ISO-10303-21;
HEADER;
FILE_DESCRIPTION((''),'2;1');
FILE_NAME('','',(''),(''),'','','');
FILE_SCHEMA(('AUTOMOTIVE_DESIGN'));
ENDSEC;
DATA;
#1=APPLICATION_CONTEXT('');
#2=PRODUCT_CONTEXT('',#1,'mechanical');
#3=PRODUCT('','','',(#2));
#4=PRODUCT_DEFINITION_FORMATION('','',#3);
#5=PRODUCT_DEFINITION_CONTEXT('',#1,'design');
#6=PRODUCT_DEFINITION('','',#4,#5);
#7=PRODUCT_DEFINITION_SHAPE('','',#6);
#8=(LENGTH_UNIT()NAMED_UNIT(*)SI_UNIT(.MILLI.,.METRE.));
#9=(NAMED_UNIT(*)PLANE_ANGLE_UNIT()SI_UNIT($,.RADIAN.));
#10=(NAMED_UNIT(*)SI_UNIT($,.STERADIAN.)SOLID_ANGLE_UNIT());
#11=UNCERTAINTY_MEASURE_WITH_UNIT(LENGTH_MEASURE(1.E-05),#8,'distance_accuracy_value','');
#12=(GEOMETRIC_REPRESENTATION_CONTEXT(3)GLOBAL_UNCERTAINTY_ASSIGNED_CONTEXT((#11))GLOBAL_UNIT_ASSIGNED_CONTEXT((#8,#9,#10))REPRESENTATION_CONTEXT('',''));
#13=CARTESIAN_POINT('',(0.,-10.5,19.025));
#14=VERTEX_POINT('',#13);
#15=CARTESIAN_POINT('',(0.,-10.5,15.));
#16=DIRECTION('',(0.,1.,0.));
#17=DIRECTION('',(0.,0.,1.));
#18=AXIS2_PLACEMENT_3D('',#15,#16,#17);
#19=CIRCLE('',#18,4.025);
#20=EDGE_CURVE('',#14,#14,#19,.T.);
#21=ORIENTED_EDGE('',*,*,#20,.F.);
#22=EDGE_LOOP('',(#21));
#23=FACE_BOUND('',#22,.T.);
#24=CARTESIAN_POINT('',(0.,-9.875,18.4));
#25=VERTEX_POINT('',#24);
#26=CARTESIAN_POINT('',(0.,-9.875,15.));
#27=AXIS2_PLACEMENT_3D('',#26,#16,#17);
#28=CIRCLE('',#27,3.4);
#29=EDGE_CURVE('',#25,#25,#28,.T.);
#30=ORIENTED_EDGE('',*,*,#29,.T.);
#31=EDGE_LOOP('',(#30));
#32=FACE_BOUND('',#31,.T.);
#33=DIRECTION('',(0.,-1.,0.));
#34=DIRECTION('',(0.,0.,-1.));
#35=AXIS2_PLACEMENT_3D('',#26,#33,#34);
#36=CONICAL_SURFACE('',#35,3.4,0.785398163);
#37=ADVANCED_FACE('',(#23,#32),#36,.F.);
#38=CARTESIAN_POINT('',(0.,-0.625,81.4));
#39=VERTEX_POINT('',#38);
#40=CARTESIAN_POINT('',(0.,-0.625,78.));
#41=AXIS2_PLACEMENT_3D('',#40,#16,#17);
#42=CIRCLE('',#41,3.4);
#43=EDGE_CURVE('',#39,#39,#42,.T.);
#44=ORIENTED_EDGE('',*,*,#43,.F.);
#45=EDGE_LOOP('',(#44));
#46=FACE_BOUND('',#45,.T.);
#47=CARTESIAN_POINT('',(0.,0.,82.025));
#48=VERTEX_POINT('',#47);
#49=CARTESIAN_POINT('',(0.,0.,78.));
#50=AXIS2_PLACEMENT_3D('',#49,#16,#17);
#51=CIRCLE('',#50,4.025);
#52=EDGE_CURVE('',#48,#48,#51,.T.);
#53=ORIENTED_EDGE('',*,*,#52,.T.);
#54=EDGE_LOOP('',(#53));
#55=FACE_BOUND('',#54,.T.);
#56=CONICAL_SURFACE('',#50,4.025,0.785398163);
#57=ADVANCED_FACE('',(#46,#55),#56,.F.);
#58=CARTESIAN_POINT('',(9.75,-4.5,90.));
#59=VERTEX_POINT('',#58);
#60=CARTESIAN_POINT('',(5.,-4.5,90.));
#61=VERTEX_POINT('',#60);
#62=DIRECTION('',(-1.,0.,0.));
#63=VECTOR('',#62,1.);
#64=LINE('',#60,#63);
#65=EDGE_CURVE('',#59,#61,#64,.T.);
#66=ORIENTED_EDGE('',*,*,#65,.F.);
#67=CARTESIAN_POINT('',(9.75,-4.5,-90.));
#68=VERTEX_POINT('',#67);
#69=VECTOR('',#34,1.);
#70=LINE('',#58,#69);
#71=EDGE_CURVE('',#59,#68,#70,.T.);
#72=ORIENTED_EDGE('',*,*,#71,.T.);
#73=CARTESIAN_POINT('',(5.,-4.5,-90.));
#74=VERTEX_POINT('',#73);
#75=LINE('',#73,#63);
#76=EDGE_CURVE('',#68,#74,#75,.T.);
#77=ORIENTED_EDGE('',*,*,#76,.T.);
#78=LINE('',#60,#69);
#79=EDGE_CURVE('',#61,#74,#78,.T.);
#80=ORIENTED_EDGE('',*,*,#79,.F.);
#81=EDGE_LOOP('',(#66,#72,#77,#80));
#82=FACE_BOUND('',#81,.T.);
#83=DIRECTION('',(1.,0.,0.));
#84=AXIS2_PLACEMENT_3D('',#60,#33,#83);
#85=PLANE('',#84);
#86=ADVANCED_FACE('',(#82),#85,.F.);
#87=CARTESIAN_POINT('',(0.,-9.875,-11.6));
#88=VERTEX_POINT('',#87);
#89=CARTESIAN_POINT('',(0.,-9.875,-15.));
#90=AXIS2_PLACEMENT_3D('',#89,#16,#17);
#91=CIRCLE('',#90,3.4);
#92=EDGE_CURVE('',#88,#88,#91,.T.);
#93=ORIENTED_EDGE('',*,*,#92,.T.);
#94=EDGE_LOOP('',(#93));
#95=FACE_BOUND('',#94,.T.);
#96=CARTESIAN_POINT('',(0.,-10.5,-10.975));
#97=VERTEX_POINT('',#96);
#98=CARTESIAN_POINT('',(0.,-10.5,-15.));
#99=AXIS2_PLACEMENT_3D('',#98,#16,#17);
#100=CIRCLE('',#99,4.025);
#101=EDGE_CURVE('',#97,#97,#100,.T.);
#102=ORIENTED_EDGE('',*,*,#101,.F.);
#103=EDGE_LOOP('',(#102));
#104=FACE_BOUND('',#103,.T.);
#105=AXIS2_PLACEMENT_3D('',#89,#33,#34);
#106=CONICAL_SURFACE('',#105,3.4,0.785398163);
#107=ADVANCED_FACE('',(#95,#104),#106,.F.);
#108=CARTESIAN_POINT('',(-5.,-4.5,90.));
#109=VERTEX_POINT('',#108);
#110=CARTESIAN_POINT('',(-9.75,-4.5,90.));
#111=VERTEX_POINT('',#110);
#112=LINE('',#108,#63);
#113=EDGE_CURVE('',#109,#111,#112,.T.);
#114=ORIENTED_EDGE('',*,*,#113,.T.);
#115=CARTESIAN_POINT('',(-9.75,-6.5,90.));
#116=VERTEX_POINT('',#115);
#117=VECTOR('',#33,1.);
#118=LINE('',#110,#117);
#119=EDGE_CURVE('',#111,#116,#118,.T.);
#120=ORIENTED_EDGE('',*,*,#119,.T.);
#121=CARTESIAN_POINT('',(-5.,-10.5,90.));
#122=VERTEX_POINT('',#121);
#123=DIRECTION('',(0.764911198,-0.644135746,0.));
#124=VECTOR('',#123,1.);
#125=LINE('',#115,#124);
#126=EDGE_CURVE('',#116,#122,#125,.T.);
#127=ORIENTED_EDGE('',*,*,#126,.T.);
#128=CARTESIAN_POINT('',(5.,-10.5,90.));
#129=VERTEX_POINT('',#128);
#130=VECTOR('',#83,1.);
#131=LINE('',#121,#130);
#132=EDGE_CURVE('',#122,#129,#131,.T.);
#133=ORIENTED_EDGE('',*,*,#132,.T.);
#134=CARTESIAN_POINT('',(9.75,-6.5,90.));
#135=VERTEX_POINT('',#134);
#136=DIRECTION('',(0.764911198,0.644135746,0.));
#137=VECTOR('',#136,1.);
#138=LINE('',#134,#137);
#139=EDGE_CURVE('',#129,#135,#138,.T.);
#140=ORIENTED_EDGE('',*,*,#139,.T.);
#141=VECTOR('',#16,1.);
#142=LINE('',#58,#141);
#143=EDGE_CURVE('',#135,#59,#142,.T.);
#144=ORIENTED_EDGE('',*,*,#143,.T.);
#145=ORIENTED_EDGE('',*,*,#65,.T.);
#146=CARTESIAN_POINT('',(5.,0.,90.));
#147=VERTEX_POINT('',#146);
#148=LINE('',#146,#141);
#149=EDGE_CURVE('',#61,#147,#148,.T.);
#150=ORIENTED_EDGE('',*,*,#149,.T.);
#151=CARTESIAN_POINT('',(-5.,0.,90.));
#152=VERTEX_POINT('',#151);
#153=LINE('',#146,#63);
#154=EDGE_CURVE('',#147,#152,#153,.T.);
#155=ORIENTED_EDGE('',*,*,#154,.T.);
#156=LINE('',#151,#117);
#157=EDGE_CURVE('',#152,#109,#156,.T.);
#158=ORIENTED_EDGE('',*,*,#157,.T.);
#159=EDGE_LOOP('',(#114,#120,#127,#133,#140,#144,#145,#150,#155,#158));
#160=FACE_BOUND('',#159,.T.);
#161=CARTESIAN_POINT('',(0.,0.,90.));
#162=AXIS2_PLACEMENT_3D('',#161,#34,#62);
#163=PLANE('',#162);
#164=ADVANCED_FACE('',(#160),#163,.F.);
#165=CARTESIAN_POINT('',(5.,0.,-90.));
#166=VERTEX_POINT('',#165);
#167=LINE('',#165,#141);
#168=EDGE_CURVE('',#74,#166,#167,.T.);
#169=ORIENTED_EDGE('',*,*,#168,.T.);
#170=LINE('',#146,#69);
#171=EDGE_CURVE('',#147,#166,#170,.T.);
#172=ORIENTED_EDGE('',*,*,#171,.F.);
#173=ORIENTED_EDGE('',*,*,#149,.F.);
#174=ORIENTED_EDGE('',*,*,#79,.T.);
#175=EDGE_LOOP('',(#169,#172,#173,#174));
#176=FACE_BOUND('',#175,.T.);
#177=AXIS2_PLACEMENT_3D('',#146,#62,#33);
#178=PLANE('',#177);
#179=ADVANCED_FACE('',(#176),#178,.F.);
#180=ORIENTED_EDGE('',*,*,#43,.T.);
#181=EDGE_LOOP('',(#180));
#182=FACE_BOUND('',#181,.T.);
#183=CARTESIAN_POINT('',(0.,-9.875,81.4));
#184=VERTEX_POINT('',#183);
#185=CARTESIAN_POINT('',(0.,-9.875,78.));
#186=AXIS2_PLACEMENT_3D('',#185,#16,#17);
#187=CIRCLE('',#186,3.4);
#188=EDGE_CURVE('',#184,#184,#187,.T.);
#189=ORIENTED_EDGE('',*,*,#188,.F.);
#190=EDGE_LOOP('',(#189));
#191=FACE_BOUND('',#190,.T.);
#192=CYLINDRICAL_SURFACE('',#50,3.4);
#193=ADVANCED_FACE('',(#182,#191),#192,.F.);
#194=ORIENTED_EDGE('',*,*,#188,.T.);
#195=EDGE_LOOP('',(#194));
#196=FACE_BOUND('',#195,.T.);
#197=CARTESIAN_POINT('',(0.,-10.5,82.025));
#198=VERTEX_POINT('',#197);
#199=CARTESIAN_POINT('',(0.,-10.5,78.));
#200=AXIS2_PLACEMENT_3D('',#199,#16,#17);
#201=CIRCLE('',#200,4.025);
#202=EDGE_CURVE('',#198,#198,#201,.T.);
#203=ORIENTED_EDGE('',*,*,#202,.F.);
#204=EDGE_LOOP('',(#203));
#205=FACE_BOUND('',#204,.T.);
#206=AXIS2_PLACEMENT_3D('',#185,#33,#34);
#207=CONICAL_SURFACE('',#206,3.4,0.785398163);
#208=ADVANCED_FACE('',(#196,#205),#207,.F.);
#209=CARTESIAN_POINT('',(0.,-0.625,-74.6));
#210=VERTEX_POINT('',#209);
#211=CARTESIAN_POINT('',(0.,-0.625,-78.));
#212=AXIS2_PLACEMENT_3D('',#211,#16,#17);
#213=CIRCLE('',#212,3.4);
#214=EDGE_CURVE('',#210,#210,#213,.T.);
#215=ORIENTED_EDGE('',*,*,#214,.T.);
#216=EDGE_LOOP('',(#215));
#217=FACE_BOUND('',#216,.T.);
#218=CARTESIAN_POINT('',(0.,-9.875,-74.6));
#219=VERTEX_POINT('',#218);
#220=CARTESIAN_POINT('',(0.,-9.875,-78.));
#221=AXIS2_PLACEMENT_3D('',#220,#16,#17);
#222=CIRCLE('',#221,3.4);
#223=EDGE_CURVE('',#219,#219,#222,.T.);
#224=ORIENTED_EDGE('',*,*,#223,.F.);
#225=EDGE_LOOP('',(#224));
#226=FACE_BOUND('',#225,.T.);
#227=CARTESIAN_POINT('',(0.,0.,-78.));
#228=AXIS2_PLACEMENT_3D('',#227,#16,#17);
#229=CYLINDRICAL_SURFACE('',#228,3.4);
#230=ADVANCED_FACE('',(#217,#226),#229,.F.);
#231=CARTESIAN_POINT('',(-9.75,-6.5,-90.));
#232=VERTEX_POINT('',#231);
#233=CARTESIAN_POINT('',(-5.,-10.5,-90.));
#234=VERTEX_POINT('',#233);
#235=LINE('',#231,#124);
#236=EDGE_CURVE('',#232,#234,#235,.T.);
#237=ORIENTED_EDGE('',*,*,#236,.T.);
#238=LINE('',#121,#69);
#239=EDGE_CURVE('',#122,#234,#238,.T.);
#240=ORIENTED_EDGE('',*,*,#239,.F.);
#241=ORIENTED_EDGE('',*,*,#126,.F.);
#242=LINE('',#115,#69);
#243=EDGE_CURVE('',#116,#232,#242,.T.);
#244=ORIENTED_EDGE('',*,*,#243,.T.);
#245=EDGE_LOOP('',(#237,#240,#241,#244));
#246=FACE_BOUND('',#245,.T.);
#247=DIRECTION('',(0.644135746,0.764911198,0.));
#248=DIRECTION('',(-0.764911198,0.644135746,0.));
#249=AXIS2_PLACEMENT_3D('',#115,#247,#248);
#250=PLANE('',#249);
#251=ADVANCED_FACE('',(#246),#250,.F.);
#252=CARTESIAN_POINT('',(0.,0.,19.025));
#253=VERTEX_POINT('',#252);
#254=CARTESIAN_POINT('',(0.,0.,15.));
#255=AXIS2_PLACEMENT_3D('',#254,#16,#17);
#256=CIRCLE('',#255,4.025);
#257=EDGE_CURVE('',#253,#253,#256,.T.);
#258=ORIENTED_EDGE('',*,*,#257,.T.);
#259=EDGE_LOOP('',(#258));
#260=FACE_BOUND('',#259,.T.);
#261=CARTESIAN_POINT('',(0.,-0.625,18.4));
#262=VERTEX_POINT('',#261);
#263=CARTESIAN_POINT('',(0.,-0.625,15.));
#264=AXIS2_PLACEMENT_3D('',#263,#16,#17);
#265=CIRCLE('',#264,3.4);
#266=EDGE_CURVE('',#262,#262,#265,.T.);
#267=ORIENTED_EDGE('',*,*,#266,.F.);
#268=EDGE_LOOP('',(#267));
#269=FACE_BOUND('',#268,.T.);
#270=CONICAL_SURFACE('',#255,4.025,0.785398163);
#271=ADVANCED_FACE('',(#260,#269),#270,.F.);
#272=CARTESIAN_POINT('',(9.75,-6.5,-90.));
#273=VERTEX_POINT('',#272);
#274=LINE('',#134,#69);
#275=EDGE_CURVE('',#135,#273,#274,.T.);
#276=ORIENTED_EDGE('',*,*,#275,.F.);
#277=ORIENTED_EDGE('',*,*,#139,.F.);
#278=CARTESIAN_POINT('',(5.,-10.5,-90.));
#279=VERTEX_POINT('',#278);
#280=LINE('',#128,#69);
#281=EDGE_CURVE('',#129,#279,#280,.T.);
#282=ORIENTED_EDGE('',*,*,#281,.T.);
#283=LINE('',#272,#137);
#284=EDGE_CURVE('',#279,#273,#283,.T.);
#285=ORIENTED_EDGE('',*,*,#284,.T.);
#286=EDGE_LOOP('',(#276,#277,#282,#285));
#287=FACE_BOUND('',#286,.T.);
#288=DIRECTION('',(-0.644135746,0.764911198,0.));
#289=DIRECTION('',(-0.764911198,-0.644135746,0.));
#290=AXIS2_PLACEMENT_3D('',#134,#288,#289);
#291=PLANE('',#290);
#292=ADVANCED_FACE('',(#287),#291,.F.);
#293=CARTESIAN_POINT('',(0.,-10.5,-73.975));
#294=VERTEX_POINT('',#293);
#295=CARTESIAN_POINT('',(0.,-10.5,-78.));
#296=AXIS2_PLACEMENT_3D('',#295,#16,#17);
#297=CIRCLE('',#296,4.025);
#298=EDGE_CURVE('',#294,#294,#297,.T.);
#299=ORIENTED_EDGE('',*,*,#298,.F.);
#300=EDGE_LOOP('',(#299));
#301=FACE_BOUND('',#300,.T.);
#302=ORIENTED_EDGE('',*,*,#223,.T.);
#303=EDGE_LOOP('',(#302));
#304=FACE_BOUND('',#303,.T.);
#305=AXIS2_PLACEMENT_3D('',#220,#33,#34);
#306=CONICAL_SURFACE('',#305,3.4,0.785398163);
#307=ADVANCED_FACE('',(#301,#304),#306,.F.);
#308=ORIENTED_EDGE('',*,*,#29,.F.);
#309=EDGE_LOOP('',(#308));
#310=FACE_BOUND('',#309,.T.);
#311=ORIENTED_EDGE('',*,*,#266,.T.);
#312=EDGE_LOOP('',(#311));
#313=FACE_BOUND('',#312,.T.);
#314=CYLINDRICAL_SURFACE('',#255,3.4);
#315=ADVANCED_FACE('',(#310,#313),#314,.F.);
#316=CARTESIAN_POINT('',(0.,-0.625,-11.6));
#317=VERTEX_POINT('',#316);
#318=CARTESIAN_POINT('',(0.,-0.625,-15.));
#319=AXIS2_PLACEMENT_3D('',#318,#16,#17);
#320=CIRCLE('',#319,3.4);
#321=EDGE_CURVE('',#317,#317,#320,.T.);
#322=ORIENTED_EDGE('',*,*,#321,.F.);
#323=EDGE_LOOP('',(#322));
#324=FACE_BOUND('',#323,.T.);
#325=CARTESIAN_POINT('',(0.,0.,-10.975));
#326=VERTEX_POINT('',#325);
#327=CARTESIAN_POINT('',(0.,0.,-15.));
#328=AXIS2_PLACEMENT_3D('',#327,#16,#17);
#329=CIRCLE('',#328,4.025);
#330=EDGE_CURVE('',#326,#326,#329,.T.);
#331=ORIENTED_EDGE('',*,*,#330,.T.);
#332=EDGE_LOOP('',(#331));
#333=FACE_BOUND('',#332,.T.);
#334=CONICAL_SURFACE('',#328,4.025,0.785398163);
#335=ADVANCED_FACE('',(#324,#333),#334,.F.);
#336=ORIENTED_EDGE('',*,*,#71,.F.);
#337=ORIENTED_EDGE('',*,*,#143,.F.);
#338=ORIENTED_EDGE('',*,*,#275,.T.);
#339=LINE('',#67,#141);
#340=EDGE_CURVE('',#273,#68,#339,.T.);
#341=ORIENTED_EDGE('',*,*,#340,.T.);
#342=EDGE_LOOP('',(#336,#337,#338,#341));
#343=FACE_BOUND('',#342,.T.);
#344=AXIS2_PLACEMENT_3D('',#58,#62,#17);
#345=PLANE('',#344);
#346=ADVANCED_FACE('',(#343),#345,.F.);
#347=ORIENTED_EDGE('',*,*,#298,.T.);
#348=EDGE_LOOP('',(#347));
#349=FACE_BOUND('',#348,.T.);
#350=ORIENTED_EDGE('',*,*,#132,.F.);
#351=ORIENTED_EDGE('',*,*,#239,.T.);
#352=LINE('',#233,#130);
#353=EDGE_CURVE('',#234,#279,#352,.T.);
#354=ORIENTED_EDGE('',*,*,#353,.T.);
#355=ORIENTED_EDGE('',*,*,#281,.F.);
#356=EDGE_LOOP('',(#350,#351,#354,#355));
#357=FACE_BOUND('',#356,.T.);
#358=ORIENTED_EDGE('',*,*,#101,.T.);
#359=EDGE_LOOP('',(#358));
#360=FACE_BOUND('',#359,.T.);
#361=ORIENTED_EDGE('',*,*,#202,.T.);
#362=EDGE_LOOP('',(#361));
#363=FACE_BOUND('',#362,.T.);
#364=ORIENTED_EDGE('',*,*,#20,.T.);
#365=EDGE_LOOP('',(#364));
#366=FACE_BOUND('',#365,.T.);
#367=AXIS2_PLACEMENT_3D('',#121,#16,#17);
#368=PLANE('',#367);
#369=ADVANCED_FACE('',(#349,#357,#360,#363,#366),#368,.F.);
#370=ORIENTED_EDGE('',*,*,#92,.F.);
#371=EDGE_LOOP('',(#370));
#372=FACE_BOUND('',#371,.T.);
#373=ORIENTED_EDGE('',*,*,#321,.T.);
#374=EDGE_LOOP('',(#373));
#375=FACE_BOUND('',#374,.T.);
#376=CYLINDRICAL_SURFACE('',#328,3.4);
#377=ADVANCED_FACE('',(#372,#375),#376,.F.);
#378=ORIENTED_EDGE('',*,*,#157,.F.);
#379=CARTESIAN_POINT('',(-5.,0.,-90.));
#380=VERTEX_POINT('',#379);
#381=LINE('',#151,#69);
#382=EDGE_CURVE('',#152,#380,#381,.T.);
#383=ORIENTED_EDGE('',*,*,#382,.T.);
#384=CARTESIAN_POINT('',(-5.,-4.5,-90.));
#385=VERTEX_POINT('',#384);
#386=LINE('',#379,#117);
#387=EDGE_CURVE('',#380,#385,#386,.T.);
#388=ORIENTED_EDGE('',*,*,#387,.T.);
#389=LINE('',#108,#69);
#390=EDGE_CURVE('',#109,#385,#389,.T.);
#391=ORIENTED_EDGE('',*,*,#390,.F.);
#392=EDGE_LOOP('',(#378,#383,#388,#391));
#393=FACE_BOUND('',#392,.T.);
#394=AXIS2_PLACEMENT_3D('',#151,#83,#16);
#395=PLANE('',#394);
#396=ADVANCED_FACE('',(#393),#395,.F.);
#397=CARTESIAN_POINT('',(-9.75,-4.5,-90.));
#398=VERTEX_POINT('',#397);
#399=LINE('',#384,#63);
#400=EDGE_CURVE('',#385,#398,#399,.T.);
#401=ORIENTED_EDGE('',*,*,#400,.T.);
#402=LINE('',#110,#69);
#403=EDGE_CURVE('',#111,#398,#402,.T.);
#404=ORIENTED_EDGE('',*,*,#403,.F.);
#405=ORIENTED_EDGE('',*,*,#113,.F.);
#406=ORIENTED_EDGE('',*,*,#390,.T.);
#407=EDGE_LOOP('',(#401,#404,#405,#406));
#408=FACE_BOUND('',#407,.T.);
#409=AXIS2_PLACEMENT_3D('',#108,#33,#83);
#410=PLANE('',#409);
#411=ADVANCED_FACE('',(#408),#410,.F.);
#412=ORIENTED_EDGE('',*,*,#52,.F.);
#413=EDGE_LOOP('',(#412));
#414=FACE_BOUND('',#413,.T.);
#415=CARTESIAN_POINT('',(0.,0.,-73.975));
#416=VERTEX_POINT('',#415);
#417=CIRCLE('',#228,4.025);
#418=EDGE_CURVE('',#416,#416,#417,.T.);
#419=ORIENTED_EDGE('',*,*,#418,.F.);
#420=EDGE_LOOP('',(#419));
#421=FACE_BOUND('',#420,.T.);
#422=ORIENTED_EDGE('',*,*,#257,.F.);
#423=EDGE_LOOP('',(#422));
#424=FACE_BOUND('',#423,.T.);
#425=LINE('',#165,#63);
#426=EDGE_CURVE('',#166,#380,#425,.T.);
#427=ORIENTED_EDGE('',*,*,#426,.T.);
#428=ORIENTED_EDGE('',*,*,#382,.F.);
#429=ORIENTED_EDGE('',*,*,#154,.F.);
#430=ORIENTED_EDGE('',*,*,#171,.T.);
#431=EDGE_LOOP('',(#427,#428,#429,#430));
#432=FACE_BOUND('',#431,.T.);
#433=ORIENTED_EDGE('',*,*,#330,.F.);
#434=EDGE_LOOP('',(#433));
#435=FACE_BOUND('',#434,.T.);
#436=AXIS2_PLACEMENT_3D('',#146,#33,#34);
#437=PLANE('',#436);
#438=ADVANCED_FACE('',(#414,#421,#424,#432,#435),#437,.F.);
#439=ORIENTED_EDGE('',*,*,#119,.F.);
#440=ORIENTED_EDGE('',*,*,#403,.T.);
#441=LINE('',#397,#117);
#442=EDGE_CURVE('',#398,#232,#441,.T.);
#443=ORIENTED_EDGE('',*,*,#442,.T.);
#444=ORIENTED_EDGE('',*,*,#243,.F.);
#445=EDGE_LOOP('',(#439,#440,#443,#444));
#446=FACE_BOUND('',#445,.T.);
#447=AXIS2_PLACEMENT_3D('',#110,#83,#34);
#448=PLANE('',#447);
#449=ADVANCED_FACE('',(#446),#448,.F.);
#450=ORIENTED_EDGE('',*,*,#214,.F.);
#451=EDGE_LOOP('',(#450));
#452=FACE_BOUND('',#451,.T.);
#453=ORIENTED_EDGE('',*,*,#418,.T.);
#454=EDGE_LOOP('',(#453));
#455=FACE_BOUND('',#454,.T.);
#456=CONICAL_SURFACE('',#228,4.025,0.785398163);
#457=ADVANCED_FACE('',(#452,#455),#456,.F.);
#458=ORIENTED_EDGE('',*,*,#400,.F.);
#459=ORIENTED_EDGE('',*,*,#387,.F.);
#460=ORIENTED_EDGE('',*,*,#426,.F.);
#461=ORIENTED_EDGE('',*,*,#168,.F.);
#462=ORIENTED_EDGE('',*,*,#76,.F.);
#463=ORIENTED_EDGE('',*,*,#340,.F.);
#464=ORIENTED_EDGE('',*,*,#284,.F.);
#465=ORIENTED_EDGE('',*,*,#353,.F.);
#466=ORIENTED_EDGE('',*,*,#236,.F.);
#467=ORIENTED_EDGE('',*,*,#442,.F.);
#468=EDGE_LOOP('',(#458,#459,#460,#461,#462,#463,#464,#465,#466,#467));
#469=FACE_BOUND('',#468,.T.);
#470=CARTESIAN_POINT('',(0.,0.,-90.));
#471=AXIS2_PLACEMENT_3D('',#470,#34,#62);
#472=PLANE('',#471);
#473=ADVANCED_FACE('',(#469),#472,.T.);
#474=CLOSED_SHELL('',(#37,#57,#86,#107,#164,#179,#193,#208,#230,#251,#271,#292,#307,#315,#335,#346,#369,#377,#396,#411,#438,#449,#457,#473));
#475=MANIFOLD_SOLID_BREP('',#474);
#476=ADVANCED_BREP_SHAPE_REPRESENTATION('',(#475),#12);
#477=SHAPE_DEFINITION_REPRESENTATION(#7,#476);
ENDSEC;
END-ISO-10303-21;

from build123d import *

# Parameters (mm, degrees)
EXTRUDE_1_DEPTH            = 90
HOLE_WIZARD_M81_AT_2_COUNT = 2
HOLE_WIZARD_M81_AT_2_PITCH = 63
HOLE_WIZARD_M81_AT_3_COUNT = 2
HOLE_WIZARD_M81_AT_3_PITCH = 93
HOLE_WIZARD_M81_AT_4_COUNT = 2
HOLE_WIZARD_M81_AT_4_PITCH = 156


with BuildPart() as part:
    # Эскиз1 → Бобышка-Вытянуть1 (new body, symmetric)
    with BuildSketch(Plane.XY):
        Polygon((5, 0), (-5, 0), (-5, -4.5), (-9.75, -4.5), (-9.75, -6.5), (-5, -10.5), (5, -10.5), (9.75, -6.5), (9.75, -4.5), (5, -4.5), align=None)
    extrude(amount=EXTRUDE_1_DEPTH, both=True)

    # Эскиз8 → Отверстие обработанное метчиком M81 (revolve, cut)
    with BuildSketch(Plane(origin=(0, 0, -78), x_dir=(0, 0, 1), z_dir=(1, 0, 0))):
        Polygon((0, 0), (0, 10.5), (4.025, 10.5), (3.4, 9.875), (3.4, 0.625), (4.025, 0), align=None)
    hole_wizard_m81 = revolve(axis=Axis((0, 6.35, -78), (0, -1, 0)), mode=Mode.SUBTRACT)

    # Отверстие обработанное метчиком M81 at 2: Отверстие обработанное метчиком M81 ×2
    with Locations(*[(0, 0, i * HOLE_WIZARD_M81_AT_2_PITCH) for i in range(1, HOLE_WIZARD_M81_AT_2_COUNT)]):
        add(hole_wizard_m81, mode=Mode.SUBTRACT)

    # Отверстие обработанное метчиком M81 at 3: Отверстие обработанное метчиком M81 ×2
    with Locations(*[(0, 0, i * HOLE_WIZARD_M81_AT_3_PITCH) for i in range(1, HOLE_WIZARD_M81_AT_3_COUNT)]):
        add(hole_wizard_m81, mode=Mode.SUBTRACT)

    # Отверстие обработанное метчиком M81 at 4: Отверстие обработанное метчиком M81 ×2
    with Locations(*[(0, 0, i * HOLE_WIZARD_M81_AT_4_PITCH) for i in range(1, HOLE_WIZARD_M81_AT_4_COUNT)]):
        add(hole_wizard_m81, mode=Mode.SUBTRACT)


solid = part.part
